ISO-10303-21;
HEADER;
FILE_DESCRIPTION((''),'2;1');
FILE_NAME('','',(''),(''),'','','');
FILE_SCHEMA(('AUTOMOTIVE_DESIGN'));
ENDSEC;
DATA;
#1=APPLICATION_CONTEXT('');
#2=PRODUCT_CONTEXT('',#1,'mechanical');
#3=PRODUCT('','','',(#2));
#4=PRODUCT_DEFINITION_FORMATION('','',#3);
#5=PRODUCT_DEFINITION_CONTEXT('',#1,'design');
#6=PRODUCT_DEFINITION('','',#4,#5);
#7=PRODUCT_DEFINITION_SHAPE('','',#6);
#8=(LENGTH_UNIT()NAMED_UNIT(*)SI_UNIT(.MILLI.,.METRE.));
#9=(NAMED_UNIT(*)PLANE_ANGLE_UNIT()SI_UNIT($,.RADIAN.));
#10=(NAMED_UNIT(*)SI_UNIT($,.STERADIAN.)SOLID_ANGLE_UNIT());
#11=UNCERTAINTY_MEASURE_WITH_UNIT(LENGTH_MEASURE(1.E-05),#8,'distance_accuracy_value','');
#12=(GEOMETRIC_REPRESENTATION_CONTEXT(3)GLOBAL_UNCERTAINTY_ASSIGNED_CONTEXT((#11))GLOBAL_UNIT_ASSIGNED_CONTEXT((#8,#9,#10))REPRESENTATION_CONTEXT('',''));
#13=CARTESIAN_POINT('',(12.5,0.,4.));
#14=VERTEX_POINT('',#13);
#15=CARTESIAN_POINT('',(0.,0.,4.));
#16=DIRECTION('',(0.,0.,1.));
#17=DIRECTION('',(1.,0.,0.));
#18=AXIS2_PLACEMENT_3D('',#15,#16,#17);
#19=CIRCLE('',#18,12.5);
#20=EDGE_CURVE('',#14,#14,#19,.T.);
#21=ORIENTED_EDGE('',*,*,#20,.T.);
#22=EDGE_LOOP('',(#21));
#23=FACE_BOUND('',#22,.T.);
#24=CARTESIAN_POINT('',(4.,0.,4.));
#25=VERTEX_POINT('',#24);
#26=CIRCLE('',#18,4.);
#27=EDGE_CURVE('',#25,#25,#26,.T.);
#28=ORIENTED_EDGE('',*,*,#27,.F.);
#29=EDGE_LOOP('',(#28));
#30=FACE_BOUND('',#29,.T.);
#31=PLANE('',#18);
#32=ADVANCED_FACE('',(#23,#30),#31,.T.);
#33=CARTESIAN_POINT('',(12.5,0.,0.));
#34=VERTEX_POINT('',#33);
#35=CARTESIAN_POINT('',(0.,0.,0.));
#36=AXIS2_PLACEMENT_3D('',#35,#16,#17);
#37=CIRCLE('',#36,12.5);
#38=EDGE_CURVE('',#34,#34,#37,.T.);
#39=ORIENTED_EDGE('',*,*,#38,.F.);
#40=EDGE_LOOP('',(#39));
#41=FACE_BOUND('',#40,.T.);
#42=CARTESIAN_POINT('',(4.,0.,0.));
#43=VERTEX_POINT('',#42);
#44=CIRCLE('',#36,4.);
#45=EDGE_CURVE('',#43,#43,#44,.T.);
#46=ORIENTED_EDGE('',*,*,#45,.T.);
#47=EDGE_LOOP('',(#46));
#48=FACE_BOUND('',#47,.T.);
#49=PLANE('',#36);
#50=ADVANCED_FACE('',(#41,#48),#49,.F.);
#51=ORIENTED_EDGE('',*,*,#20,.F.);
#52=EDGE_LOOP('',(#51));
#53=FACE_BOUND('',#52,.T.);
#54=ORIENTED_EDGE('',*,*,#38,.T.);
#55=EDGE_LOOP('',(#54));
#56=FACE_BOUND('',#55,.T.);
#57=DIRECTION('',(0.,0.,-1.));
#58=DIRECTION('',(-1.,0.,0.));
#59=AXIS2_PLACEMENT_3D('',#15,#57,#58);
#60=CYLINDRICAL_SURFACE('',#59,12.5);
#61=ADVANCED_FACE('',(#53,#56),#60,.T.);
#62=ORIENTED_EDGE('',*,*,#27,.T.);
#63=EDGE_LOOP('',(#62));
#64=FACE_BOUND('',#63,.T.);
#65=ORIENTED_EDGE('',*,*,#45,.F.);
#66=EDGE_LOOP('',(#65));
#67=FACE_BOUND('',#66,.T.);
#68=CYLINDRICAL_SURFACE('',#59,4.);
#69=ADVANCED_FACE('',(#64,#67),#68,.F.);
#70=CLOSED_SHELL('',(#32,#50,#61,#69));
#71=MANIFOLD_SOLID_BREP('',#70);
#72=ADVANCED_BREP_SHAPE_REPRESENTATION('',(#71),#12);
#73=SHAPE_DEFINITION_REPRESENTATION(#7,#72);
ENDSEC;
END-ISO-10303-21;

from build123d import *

# Parameters (mm, degrees)
SKETCH_1_R      = 12.5
SKETCH_1_R_2    = 4
EXTRUDE_1_DEPTH = 4


with BuildPart() as part:
    # Эскиз1 → Бобышка-Вытянуть1 (new body)
    with BuildSketch(Plane.XY):
        Circle(SKETCH_1_R)
        Circle(SKETCH_1_R_2, mode=Mode.SUBTRACT)
    extrude(amount=EXTRUDE_1_DEPTH)


solid = part.part
